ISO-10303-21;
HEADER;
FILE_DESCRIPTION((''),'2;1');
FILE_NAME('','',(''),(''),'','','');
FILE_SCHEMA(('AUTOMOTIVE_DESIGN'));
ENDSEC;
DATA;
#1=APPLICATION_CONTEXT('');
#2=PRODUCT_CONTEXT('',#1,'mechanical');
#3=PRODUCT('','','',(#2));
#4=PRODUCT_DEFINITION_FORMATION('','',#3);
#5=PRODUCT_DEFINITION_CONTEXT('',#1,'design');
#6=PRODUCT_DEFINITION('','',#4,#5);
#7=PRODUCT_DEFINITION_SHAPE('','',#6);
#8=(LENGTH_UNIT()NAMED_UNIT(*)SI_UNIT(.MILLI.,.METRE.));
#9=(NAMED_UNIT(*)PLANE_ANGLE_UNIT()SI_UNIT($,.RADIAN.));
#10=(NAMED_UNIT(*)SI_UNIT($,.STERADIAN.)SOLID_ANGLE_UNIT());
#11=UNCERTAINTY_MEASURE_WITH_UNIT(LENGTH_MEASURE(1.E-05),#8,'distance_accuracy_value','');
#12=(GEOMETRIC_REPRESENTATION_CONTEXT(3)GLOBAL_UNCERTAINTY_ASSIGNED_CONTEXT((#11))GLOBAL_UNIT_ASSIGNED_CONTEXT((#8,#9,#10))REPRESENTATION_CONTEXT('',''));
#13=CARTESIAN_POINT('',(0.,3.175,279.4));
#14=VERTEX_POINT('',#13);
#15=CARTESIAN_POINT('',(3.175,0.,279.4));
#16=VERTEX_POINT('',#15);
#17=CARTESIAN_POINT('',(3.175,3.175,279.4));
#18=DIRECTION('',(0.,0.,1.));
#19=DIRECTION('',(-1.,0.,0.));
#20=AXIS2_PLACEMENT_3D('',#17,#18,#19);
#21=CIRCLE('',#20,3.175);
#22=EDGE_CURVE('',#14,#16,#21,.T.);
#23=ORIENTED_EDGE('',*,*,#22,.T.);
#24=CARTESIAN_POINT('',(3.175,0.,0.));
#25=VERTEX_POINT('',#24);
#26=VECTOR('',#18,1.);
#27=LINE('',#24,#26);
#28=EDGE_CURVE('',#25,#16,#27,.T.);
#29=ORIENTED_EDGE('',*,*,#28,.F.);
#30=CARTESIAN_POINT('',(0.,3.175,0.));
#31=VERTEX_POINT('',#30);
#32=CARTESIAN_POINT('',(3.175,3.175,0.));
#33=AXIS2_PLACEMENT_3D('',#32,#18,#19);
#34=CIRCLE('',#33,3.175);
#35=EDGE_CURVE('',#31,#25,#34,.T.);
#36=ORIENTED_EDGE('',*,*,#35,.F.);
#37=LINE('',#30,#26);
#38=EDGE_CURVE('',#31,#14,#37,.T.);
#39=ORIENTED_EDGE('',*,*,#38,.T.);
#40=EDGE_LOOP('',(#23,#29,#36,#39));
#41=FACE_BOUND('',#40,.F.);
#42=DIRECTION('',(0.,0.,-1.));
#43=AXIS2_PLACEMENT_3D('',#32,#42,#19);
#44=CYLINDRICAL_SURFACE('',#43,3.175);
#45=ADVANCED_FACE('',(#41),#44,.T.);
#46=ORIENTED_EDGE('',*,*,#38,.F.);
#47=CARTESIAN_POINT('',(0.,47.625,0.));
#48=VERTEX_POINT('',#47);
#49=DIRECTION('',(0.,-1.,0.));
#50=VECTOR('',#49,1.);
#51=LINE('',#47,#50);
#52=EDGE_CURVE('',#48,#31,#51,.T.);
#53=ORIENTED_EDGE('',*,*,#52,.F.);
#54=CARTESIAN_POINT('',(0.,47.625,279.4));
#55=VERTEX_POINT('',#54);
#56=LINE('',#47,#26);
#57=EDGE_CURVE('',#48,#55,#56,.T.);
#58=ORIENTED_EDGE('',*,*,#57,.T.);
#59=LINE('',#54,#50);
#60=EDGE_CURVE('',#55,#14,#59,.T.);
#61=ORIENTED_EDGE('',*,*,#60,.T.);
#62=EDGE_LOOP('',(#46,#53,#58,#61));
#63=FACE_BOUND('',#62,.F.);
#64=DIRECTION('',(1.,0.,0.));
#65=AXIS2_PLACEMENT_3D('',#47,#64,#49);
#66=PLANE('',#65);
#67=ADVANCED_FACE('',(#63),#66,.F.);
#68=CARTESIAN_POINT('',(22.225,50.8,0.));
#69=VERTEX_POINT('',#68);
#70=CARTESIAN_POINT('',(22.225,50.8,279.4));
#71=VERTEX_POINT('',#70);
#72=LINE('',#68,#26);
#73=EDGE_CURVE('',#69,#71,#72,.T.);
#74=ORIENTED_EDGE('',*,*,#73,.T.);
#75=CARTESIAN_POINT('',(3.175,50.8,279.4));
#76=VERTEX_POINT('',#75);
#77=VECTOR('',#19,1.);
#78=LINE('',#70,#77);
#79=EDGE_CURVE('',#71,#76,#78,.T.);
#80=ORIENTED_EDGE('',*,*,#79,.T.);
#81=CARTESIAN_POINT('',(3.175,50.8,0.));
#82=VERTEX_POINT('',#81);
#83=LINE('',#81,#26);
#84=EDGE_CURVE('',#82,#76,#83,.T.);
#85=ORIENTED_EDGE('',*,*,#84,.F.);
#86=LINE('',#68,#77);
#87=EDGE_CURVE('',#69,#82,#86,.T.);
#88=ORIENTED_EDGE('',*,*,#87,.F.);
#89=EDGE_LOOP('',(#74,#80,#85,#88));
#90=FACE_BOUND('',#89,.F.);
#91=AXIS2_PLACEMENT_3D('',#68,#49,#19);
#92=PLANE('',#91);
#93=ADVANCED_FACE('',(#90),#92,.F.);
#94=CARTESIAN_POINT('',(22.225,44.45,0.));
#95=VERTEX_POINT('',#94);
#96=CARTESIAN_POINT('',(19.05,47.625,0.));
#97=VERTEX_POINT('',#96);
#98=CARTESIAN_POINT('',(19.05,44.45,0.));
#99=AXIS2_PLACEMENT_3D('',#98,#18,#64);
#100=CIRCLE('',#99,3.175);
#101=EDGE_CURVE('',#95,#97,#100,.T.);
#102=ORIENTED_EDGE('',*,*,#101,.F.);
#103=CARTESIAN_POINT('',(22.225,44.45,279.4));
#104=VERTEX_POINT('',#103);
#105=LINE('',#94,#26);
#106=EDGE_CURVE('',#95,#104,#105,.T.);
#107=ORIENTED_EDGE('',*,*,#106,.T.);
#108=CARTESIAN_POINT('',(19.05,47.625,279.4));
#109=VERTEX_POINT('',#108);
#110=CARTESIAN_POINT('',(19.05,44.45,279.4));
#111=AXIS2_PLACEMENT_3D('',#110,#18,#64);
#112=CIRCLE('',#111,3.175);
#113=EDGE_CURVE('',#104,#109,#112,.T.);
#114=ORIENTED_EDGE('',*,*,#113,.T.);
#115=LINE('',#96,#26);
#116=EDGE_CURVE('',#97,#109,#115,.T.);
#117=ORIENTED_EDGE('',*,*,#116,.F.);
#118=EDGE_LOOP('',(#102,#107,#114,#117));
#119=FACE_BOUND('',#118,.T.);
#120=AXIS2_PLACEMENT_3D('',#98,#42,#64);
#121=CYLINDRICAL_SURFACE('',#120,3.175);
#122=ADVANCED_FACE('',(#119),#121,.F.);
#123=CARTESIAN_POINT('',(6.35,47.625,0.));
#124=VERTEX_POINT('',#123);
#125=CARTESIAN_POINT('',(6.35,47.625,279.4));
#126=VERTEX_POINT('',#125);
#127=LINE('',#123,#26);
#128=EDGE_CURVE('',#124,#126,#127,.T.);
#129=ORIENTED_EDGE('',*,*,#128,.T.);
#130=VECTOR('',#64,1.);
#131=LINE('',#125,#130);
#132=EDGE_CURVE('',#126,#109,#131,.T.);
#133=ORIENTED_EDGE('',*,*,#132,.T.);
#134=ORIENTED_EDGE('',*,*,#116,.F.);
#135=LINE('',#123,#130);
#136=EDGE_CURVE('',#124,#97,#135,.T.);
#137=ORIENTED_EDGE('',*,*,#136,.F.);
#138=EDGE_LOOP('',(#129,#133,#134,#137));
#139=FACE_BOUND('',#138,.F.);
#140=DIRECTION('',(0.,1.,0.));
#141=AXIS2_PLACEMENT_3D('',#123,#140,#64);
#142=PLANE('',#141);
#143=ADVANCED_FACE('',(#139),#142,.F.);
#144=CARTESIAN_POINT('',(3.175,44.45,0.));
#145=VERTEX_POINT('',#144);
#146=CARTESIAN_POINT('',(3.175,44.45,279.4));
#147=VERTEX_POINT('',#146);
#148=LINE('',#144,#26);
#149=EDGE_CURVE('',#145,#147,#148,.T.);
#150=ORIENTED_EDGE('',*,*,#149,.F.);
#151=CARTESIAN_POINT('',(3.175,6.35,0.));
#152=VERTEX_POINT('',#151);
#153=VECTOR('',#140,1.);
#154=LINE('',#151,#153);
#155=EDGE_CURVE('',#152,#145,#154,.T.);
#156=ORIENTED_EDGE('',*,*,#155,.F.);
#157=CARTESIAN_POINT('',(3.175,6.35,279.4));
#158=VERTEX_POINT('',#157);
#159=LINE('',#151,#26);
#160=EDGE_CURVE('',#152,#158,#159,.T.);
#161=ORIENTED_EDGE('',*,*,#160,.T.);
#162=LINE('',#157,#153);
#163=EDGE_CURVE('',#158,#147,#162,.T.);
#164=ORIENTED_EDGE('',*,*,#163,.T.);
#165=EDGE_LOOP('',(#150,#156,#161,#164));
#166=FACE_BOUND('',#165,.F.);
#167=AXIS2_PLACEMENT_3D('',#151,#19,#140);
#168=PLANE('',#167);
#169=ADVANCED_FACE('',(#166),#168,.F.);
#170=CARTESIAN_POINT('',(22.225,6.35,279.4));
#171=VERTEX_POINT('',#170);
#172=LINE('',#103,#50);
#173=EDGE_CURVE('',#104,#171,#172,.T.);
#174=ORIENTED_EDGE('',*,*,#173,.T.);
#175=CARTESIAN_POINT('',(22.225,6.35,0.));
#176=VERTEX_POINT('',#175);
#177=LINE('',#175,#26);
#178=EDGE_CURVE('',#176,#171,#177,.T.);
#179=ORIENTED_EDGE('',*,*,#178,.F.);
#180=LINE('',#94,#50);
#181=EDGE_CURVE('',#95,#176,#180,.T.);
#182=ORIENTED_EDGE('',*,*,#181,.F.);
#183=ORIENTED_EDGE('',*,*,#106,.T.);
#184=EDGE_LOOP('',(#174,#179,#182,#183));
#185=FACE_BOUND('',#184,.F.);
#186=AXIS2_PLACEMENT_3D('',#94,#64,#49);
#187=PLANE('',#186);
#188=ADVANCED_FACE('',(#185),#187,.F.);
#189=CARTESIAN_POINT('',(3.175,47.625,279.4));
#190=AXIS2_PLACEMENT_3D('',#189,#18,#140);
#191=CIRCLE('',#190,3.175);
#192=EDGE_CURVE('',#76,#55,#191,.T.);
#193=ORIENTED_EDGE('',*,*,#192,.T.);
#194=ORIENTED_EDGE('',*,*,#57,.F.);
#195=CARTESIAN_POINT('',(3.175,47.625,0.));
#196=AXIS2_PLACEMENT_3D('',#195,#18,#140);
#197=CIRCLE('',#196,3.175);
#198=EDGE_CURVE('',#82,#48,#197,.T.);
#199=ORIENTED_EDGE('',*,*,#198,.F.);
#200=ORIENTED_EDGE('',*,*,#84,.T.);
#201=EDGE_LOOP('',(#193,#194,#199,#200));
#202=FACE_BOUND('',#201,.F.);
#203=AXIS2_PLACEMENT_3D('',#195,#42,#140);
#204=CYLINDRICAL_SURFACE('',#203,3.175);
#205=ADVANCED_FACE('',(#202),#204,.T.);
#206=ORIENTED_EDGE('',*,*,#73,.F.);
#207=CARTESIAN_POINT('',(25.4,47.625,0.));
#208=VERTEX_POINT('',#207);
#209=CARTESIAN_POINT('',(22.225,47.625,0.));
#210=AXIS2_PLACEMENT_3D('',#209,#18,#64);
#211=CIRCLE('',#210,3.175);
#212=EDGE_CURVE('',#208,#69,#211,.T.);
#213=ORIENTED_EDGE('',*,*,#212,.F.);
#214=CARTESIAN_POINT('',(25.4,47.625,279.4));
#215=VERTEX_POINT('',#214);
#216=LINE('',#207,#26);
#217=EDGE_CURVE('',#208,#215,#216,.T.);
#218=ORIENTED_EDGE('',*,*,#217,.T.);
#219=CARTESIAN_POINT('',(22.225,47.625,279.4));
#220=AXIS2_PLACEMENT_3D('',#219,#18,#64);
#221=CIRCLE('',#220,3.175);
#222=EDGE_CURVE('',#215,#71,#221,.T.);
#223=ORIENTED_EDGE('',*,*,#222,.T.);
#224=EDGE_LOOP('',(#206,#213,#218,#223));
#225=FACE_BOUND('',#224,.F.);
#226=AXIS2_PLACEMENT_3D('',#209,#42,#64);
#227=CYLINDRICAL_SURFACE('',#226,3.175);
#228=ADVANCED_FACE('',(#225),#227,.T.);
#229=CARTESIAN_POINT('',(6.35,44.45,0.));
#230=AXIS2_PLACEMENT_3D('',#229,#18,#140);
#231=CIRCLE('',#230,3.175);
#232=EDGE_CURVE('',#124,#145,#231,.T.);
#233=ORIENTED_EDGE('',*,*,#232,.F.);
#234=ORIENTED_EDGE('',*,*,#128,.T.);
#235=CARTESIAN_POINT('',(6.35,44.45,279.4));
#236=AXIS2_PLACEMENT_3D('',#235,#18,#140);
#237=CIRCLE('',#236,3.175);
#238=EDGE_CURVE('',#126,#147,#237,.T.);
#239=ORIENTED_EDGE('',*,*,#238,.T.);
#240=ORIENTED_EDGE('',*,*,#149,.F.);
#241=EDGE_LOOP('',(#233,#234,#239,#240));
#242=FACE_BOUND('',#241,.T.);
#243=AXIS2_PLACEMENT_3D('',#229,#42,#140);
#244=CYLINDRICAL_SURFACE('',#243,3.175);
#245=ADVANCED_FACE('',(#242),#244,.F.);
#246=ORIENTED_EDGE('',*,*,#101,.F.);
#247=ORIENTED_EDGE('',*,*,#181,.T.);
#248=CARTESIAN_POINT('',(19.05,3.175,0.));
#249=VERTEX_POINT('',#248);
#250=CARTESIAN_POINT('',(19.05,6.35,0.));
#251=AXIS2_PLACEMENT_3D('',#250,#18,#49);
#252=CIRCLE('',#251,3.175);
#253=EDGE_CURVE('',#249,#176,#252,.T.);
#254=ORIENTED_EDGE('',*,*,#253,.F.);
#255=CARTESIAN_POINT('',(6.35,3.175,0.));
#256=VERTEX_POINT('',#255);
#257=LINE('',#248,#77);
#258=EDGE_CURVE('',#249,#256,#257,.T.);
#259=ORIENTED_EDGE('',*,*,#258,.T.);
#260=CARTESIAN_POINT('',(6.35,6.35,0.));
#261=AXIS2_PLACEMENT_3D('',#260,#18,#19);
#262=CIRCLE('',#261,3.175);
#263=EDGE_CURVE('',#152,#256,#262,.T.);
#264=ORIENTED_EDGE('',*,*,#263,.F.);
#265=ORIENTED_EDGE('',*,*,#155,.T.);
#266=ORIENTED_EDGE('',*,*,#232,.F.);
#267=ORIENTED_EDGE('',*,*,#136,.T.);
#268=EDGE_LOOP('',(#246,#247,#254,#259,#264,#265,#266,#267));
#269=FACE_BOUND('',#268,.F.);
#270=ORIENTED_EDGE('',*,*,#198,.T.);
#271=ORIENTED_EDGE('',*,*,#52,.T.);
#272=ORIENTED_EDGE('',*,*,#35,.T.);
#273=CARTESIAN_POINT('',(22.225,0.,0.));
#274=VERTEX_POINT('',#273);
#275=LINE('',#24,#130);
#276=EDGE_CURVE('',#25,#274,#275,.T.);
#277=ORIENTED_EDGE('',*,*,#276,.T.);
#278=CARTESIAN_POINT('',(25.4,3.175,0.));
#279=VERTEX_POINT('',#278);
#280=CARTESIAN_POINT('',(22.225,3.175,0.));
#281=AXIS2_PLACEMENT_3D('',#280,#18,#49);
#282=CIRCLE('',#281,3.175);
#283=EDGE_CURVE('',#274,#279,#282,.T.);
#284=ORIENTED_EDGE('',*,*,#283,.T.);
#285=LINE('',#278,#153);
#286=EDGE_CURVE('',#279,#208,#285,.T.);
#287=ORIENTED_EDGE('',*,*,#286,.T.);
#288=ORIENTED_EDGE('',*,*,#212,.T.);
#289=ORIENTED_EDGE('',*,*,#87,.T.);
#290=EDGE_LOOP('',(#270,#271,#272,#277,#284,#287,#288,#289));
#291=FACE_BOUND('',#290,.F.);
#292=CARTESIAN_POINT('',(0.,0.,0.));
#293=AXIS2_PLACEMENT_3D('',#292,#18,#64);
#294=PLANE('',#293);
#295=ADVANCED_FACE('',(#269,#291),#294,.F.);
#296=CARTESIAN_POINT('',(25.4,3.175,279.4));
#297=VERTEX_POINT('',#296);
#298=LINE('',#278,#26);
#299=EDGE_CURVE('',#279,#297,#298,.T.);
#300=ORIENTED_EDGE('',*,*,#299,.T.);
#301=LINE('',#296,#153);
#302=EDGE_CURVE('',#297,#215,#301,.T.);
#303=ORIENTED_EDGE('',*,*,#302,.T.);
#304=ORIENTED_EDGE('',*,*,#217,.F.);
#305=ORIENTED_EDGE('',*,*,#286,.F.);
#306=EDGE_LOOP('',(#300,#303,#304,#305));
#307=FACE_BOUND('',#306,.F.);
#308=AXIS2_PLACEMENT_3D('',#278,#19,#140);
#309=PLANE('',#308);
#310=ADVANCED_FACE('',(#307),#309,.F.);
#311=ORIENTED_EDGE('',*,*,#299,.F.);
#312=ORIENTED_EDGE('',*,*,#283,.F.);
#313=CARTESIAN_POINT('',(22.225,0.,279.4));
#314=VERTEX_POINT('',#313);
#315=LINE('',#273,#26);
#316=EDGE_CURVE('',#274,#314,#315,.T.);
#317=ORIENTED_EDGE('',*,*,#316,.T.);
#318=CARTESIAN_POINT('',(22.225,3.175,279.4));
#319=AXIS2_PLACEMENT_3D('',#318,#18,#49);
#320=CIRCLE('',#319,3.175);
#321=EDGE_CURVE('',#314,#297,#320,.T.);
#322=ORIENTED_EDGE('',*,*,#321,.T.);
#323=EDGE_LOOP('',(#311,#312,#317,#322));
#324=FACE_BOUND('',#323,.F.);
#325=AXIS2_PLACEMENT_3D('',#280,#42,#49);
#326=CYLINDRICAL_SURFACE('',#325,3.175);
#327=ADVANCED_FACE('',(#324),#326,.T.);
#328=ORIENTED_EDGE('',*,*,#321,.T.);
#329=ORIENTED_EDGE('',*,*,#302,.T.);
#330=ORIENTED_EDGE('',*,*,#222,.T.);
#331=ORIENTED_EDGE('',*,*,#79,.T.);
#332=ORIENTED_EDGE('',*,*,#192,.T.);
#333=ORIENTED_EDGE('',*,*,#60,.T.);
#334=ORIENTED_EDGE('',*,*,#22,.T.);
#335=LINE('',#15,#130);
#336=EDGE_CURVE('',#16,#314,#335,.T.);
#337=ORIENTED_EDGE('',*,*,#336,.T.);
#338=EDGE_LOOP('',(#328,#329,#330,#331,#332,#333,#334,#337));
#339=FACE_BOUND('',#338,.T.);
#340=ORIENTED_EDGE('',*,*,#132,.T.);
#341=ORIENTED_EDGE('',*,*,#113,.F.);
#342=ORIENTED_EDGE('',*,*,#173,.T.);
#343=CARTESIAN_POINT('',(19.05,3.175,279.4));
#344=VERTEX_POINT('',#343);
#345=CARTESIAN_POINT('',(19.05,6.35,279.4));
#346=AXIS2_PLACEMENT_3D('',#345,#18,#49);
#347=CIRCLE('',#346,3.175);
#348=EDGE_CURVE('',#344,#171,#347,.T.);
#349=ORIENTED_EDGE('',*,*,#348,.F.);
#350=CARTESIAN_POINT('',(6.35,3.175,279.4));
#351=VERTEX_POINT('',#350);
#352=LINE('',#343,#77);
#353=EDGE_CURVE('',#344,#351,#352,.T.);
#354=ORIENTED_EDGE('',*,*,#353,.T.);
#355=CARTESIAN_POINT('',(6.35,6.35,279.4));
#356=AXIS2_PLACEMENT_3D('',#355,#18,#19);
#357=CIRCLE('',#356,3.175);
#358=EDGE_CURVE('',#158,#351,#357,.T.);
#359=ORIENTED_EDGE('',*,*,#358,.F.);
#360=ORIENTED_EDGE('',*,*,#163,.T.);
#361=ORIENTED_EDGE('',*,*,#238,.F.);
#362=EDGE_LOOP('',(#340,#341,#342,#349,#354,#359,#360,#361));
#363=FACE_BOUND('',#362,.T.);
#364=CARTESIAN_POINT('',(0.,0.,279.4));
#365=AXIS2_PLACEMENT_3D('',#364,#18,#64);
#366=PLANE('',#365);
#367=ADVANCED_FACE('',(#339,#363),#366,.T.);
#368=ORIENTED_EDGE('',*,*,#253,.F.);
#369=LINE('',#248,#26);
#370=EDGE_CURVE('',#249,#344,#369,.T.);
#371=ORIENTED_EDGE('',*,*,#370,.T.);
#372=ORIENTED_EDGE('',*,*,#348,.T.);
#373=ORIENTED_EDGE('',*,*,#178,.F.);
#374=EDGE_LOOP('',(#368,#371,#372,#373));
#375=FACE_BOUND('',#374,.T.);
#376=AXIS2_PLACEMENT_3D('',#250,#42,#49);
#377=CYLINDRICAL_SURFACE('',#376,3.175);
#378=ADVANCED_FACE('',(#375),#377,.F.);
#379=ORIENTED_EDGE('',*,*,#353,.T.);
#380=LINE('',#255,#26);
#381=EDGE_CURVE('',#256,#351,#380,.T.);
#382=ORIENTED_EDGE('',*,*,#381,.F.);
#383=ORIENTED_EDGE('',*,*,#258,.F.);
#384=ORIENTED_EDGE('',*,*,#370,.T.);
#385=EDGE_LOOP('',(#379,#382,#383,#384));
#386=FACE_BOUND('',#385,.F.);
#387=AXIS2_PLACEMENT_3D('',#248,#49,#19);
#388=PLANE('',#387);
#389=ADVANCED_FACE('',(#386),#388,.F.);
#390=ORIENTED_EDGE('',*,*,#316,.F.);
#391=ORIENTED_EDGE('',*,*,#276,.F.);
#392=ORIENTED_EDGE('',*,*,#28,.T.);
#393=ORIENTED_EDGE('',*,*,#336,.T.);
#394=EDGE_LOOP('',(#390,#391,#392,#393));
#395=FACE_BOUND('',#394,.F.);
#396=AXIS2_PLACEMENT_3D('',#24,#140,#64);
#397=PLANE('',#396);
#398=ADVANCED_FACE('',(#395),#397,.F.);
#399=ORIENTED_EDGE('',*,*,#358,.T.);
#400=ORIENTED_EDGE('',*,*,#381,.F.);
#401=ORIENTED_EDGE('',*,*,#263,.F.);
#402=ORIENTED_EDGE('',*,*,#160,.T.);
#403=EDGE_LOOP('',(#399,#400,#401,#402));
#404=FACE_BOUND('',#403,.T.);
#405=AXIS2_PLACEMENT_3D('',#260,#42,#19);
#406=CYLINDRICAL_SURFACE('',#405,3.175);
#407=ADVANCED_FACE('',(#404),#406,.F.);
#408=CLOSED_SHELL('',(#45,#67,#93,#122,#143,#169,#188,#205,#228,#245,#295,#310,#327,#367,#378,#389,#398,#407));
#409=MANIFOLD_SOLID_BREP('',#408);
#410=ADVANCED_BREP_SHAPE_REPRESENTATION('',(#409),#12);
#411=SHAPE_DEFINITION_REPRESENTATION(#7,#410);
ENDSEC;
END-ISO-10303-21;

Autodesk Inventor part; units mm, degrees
ref_plane "YZ Plane" through (0, 0, 0) normal (1, 0, 0) x (0, 1, 0)
ref_plane "XZ Plane" through (0, 0, 0) normal (0, 1, 0) x (-1, 0, 0)
ref_plane "XY Plane" through (0, 0, 0) normal (0, 0, 1) x (1, 0, 0)
sketch "Sketch1" plane through (0, 0, 0) normal (0, 0, 1) x (1, 0, 0)
  line L0 (3.175, 0) -> (22.225, 0)
  line L1 (25.4, 3.175) -> (25.4, 47.625)
  line L2 (22.225, 50.8) -> (3.175, 50.8)
  line L3 (0, 47.625) -> (0, 3.175)
  arc A0 (3.175, 50.8) -> (0, 47.625) centre (3.175, 47.625) ccw
  arc A1 (25.4, 47.625) -> (22.225, 50.8) centre (22.225, 47.625) ccw
  arc A2 (22.225, 0) -> (25.4, 3.175) centre (22.225, 3.175) ccw
  arc A3 (0, 3.175) -> (3.175, 0) centre (3.175, 3.175) ccw
  line L4 (6.35, 47.625) -> (19.05, 47.625)
  line L5 (22.225, 44.45) -> (22.225, 6.35)
  line L6 (19.05, 3.175) -> (6.35, 3.175)
  line L7 (3.175, 6.35) -> (3.175, 44.45)
  arc A4 (6.35, 47.625) -> (3.175, 44.45) centre (6.35, 44.45) ccw
  arc A5 (22.225, 44.45) -> (19.05, 47.625) centre (19.05, 44.45) ccw
  arc A6 (3.175, 6.35) -> (6.35, 3.175) centre (6.35, 6.35) ccw
  arc A7 (19.05, 3.175) -> (22.225, 6.35) centre (19.05, 6.35) ccw
  point P0 (0, 0)
  point P1 (25.4, 0)
  point P2 (0, 50.8)
  dimension "d0" = 50.8
  dimension "d1" = 25.4
  dimension "d2" = 3.175
  dimension "d3" = 3.175
  dimension "d4" = 3.175
  dimension "d5" = 3.175
  dimension "d6" = 3.175
  dimension "d7" = 3.175
  dimension "d8" = 3.175
  dimension "d9" = 3.175
  dimension "d10" = 3.175
extrude "Extrusion1" add sketch "Sketch1" along normal blind 279.4
properties part number "O channel 10 inch"
